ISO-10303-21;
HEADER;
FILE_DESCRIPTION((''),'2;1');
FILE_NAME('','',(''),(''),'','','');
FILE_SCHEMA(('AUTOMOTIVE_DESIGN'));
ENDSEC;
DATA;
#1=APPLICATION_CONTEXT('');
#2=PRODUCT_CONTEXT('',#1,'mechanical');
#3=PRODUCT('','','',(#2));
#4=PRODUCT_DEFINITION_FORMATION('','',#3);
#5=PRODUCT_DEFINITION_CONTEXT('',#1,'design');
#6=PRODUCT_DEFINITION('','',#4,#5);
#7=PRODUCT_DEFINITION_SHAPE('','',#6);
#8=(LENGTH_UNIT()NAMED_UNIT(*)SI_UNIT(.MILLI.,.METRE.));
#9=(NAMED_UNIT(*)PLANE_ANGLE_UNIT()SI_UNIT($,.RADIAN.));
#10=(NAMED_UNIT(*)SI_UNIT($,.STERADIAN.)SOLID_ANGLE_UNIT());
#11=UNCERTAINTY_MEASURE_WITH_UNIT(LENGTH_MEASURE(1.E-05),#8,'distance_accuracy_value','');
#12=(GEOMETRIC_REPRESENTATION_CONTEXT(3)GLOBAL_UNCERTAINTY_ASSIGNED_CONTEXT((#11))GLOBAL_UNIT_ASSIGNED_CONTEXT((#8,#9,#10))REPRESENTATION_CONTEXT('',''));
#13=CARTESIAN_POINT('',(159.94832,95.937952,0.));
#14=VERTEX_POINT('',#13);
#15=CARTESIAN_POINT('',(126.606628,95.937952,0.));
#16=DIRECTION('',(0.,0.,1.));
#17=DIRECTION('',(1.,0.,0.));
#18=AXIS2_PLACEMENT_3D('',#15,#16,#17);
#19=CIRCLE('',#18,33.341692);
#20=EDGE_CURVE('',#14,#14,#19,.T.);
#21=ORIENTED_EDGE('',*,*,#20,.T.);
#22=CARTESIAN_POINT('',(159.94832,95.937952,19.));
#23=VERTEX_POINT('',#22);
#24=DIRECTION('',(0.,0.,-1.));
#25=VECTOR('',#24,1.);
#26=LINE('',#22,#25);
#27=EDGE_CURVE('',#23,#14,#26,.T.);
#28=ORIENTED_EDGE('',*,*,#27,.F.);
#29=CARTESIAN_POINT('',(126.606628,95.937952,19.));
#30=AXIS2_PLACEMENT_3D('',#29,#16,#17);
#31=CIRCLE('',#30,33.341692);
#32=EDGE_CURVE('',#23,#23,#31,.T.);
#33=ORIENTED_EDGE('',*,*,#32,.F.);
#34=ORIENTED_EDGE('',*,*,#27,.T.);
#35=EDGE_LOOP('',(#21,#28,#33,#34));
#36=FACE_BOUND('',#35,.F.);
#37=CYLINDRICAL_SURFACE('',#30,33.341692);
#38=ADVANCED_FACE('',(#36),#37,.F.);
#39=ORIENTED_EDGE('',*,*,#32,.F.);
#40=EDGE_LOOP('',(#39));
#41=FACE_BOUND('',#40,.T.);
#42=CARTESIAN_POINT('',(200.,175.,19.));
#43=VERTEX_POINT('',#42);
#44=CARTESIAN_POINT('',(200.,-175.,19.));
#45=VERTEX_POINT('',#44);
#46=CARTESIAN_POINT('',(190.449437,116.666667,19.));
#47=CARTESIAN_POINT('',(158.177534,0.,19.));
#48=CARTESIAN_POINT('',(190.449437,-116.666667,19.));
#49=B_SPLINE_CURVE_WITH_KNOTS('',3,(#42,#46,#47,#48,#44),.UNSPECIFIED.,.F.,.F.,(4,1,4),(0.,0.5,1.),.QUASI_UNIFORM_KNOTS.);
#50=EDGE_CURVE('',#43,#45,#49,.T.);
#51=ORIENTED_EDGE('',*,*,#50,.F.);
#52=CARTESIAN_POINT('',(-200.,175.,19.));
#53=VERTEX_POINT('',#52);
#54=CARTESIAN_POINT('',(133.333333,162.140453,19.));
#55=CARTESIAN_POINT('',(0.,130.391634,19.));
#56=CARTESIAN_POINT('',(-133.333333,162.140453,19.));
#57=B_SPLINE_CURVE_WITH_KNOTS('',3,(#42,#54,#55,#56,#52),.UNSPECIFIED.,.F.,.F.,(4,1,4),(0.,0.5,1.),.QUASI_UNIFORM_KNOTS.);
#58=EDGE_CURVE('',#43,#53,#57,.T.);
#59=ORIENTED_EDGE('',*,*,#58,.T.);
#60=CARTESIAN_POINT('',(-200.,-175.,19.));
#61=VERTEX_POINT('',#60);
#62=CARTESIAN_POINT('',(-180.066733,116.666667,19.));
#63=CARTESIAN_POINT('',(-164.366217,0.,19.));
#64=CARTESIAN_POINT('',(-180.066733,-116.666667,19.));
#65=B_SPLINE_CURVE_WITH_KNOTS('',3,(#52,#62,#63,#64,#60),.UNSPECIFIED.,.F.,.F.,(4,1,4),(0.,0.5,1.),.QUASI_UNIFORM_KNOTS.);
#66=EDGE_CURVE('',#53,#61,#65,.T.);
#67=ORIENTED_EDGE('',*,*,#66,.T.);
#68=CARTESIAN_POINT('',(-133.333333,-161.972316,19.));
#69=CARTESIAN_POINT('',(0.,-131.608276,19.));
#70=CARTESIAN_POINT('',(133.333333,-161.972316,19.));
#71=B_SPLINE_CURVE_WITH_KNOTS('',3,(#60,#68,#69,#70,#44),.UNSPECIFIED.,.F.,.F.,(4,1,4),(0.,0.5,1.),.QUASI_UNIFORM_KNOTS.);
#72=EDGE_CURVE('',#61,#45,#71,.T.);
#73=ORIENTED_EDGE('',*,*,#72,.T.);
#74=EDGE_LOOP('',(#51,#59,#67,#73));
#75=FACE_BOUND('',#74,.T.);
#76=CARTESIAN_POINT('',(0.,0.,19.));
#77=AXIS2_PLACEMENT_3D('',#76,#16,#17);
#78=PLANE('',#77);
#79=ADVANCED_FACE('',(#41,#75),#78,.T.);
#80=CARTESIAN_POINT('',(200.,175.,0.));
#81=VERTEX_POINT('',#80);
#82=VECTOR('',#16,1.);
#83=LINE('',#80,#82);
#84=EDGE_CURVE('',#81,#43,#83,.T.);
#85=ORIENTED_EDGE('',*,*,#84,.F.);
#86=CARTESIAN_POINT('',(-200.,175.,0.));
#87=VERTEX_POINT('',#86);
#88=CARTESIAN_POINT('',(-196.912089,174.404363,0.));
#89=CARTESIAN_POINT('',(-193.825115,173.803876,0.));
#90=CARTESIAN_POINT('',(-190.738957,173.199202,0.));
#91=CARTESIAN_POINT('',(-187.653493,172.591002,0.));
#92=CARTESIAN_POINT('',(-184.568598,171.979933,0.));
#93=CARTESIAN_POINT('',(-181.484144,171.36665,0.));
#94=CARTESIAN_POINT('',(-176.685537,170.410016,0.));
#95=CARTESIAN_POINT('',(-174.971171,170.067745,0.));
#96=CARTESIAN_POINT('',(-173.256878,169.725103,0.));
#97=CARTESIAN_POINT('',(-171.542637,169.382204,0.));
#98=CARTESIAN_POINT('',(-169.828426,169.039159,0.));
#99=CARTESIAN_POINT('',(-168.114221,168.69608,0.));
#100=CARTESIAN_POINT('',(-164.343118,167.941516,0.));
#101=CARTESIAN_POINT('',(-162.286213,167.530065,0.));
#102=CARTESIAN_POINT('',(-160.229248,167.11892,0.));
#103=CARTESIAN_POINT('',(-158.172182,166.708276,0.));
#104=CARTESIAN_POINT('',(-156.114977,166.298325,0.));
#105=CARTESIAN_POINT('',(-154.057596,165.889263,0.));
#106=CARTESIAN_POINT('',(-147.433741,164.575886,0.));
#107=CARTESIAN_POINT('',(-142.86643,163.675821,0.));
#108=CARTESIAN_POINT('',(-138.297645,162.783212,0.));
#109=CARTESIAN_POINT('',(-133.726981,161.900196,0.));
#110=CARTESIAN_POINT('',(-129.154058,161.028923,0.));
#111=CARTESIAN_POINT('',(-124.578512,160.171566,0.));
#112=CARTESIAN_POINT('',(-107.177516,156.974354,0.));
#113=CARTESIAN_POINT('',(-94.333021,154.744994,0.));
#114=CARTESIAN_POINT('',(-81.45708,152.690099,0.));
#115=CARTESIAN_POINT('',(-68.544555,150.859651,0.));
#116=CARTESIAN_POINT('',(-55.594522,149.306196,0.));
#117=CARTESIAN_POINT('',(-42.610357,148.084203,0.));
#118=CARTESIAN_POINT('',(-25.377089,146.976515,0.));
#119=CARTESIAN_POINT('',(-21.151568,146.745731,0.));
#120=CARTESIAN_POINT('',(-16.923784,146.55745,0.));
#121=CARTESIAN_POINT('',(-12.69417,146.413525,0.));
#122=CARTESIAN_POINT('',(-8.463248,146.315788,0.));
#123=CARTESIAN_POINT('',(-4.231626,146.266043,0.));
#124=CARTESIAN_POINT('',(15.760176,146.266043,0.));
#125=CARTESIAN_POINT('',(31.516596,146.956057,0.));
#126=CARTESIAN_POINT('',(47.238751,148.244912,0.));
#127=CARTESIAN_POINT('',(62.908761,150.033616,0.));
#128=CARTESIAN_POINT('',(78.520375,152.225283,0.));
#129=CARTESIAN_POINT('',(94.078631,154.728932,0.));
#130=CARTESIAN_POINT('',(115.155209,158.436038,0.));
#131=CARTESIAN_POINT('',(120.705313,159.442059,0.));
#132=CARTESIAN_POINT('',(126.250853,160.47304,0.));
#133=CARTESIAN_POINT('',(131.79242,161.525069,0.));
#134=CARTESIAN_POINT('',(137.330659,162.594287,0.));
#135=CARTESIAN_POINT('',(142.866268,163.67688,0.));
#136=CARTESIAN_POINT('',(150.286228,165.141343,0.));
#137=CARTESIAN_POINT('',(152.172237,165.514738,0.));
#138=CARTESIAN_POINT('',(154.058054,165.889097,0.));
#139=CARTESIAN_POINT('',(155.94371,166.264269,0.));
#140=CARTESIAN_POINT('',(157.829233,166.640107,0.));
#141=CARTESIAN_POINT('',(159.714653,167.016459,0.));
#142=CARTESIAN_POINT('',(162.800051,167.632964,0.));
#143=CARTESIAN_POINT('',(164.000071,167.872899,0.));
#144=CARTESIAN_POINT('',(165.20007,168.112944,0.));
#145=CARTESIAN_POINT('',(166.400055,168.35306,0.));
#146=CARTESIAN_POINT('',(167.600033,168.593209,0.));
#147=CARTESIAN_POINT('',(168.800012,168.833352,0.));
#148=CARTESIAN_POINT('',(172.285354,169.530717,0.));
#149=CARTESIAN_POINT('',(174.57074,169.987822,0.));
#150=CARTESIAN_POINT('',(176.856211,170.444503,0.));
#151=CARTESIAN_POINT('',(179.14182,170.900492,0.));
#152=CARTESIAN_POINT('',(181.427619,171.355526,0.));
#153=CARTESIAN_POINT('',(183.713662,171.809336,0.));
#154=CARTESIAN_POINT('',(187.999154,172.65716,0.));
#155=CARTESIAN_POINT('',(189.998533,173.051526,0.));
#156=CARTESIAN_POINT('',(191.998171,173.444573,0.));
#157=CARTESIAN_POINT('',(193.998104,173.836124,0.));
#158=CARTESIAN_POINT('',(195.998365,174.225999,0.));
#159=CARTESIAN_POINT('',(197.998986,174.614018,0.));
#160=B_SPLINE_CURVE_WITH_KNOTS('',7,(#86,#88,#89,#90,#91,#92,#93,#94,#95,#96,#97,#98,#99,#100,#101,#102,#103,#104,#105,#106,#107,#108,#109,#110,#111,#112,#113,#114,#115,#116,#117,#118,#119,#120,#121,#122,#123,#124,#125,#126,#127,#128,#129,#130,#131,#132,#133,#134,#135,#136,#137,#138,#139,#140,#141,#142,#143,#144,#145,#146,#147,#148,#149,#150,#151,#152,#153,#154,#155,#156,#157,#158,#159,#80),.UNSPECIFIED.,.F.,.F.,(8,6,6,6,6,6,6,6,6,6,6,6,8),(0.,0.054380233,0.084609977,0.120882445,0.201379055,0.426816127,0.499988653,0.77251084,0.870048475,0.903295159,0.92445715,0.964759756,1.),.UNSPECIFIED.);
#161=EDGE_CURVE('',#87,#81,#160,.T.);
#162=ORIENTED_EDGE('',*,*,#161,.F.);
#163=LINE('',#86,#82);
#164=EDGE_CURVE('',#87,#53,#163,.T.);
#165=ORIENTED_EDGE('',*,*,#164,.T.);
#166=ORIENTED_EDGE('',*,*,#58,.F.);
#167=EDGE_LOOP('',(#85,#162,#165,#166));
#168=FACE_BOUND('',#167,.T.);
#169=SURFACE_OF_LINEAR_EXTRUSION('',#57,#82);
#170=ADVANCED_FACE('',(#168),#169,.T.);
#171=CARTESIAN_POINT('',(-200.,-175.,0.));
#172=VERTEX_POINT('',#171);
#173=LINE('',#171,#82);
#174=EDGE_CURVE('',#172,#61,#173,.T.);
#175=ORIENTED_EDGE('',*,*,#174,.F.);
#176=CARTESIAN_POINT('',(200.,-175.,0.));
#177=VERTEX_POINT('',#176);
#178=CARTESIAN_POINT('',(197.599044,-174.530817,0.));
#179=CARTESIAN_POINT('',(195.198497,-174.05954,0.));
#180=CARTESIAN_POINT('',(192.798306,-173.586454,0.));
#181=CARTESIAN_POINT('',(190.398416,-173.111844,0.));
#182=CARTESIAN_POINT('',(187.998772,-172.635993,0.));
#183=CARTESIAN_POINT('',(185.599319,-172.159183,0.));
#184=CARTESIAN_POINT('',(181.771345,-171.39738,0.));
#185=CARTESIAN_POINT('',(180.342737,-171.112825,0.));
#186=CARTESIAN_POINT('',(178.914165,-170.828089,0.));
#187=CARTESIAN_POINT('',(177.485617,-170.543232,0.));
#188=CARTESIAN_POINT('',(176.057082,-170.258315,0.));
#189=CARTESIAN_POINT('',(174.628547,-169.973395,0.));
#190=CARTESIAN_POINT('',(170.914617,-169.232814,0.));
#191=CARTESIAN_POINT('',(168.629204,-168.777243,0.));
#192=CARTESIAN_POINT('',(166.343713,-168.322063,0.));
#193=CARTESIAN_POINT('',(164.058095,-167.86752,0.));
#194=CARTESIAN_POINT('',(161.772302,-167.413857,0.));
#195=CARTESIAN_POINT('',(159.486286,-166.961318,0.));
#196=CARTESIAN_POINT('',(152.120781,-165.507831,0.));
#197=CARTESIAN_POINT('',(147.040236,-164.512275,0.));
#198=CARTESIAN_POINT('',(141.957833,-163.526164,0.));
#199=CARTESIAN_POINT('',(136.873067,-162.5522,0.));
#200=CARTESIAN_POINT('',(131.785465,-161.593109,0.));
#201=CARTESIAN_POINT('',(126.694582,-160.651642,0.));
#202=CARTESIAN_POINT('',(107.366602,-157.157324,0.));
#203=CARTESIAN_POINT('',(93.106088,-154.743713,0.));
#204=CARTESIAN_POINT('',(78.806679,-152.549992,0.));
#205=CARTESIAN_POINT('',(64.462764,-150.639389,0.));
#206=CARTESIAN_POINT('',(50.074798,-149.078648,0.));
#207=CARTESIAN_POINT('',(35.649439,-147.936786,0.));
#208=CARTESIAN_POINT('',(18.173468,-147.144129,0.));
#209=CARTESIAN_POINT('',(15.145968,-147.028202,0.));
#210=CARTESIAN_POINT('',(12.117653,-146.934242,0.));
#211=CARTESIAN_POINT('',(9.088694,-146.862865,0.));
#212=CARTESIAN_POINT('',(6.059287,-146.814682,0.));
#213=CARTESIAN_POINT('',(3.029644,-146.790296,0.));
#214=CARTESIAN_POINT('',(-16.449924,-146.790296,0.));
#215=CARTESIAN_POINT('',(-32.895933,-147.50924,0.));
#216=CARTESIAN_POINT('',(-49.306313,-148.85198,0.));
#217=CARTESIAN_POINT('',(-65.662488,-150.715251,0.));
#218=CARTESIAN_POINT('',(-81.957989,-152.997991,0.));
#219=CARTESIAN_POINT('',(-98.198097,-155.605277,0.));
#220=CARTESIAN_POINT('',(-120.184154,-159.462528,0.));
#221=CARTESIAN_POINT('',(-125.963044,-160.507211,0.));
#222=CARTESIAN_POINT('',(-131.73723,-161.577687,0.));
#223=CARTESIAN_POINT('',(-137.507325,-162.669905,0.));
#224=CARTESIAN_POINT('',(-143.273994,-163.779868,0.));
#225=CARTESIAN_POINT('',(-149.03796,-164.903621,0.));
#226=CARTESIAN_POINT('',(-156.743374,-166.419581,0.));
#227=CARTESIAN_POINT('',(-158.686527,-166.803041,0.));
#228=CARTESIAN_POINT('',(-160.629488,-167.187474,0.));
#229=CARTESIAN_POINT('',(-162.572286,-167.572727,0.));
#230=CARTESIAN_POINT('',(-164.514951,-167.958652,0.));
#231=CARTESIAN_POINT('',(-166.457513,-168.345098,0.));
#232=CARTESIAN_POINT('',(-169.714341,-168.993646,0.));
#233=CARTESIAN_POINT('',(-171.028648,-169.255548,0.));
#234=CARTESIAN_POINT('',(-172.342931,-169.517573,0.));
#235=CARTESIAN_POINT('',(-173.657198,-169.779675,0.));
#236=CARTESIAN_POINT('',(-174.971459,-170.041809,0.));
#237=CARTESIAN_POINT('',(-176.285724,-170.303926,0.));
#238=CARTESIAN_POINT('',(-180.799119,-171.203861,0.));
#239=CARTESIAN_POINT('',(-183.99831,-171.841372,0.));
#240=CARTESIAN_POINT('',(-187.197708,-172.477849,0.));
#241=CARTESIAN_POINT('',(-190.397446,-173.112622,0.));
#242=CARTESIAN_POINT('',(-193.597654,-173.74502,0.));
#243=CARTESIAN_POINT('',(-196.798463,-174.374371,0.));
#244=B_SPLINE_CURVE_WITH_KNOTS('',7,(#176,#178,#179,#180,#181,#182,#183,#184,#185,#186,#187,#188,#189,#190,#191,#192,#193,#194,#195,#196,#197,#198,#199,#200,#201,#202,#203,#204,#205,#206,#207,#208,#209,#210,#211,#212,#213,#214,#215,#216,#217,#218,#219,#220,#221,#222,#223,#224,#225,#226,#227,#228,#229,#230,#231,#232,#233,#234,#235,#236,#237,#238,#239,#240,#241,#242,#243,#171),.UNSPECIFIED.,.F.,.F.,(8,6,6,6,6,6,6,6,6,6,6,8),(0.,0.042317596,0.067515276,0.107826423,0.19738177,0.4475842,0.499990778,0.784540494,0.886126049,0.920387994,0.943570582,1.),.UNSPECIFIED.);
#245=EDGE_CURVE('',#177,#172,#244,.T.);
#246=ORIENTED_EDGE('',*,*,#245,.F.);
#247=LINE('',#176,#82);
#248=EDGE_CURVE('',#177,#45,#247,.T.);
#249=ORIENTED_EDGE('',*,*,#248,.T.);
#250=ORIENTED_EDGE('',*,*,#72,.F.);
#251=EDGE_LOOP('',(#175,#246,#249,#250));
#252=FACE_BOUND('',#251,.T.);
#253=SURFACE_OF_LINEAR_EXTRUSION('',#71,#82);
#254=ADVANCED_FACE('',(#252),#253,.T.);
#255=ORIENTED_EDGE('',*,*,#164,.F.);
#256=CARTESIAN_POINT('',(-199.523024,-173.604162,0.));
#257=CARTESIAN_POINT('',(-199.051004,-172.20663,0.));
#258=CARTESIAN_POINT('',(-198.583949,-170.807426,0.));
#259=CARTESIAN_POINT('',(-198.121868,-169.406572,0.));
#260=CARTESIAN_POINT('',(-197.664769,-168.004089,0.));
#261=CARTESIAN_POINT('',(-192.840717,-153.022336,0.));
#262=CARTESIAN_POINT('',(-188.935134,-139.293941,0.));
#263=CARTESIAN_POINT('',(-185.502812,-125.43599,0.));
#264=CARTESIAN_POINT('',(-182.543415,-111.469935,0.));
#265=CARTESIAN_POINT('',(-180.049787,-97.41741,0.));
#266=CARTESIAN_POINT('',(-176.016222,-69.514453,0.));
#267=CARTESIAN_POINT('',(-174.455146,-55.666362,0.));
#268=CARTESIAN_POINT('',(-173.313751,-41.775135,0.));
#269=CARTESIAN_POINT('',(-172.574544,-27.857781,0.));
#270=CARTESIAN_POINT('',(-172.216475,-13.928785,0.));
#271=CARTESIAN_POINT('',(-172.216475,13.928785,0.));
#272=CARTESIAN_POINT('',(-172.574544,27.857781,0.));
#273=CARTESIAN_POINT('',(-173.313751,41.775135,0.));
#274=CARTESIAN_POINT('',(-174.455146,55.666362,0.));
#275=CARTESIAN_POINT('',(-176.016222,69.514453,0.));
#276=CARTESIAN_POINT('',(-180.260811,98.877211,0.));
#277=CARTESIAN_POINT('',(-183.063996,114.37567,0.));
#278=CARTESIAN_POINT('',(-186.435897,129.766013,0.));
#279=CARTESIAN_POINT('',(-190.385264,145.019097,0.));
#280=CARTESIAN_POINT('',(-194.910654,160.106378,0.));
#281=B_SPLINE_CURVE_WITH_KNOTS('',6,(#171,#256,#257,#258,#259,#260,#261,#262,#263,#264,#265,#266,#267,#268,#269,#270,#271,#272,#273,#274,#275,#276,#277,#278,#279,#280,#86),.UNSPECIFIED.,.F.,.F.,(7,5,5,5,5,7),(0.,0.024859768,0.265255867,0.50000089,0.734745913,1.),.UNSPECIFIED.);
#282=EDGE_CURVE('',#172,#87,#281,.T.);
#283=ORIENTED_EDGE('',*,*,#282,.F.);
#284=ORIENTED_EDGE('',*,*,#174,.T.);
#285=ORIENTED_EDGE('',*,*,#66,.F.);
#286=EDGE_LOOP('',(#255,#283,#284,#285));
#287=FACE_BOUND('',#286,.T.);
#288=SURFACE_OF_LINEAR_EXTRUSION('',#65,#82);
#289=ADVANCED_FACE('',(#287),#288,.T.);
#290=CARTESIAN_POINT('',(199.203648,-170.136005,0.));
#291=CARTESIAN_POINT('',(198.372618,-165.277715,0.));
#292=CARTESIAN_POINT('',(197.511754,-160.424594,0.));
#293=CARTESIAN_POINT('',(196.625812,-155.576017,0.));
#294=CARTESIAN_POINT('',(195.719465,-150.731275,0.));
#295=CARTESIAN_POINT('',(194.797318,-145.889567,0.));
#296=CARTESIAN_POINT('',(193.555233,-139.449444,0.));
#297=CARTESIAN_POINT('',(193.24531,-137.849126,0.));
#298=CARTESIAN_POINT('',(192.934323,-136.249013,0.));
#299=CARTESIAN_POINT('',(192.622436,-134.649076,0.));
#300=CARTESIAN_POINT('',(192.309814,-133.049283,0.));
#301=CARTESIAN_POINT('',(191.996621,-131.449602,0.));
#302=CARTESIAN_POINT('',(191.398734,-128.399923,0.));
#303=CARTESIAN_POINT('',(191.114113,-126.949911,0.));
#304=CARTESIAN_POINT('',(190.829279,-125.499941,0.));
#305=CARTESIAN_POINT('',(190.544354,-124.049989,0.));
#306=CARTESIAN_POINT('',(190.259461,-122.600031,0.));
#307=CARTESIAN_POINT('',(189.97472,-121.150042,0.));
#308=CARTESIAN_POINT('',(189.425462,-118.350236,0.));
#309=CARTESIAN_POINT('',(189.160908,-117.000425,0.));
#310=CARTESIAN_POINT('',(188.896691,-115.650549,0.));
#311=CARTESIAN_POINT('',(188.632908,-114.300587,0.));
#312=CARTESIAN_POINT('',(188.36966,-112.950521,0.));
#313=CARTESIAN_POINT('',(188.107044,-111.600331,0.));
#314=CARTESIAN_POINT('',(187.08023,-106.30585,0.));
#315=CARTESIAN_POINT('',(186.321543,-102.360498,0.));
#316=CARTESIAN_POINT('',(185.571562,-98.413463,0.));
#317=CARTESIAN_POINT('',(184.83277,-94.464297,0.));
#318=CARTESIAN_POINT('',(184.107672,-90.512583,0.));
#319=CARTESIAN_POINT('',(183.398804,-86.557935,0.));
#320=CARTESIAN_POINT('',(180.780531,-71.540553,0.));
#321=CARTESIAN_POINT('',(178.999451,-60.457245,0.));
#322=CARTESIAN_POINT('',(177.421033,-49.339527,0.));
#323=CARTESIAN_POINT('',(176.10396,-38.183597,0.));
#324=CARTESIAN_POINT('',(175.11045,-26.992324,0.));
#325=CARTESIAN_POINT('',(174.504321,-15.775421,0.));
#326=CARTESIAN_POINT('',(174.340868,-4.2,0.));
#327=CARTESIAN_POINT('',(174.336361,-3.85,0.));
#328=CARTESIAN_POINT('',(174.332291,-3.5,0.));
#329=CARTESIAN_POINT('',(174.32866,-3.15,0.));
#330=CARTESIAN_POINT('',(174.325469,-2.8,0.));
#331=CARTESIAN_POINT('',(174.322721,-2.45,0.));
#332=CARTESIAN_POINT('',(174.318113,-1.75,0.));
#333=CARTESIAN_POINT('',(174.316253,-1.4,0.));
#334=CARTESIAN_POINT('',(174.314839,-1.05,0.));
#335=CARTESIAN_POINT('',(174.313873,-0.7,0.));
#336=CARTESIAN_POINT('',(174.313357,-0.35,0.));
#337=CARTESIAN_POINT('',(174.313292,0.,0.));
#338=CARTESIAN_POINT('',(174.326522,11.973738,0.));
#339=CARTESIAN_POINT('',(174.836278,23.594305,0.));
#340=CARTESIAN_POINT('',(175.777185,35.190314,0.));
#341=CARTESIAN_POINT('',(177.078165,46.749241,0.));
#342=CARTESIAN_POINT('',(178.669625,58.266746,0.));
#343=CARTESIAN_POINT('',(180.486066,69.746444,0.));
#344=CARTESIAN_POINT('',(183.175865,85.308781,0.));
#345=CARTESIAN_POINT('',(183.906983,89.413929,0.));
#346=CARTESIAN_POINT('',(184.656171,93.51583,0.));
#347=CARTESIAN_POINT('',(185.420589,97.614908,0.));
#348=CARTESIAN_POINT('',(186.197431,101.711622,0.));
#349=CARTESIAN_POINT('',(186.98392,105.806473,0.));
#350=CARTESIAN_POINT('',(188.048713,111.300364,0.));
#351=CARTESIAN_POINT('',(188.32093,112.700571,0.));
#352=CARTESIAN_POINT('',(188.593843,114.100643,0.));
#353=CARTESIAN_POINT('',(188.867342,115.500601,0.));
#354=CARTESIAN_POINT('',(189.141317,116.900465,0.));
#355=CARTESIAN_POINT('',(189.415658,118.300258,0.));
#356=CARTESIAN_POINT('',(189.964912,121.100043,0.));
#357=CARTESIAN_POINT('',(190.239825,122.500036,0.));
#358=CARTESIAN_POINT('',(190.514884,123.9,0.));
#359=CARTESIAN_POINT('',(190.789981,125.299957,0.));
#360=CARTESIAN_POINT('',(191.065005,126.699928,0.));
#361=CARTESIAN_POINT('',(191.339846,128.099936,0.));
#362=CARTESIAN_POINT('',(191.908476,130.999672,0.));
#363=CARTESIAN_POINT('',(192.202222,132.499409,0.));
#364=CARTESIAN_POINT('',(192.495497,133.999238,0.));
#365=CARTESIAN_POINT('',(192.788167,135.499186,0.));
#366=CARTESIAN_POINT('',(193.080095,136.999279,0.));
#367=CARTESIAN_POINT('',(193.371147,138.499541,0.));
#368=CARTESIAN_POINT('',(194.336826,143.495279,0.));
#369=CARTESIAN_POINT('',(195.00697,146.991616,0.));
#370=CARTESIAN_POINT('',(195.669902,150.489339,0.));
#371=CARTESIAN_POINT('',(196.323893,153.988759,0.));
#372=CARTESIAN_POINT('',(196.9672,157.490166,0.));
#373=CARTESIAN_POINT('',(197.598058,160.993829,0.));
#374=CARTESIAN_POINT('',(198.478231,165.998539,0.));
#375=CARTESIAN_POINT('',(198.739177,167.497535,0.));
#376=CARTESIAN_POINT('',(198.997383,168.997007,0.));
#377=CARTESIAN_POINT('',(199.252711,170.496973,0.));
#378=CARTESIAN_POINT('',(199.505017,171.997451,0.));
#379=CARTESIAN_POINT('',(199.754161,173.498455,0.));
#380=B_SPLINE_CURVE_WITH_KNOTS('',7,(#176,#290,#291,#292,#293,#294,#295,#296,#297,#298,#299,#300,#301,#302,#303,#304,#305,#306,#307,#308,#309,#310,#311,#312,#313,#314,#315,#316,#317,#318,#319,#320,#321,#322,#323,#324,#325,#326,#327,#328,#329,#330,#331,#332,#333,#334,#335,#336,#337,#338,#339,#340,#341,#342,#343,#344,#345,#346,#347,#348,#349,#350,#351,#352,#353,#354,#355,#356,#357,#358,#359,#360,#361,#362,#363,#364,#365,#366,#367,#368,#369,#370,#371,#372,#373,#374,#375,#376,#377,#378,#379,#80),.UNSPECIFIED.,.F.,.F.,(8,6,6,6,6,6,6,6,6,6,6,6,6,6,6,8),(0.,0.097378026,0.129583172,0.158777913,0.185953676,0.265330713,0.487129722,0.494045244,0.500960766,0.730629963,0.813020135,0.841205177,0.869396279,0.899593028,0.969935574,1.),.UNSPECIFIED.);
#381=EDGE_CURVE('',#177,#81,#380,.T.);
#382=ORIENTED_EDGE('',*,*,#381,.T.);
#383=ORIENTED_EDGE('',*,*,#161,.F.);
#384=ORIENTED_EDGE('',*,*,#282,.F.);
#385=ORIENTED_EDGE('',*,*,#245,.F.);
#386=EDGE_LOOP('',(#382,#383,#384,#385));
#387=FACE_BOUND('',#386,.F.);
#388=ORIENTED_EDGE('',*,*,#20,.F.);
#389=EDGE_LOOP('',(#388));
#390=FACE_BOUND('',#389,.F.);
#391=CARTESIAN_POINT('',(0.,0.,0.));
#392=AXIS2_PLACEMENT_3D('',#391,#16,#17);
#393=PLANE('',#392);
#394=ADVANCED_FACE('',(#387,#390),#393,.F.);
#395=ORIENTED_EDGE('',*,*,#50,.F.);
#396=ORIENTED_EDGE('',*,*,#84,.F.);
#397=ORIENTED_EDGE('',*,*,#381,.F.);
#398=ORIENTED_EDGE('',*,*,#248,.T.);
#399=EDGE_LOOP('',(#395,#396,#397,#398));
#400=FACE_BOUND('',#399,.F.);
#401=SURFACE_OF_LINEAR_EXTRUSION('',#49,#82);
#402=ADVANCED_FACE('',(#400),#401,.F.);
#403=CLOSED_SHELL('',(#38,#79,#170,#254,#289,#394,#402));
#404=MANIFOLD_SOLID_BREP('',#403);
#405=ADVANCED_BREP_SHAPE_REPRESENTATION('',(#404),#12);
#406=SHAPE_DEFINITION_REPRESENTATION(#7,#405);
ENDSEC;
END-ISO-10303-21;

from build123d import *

# Parameters (mm, degrees)
F0_W     = 400
F0_H     = 350
F1_DEPTH = 19
F3_DEPTH = 25
F4_DEPTH = 19.0010001
F5_DEPTH = 19.0010001
F6_DEPTH = 19.0010001
F2_R     = 33.3416918337
F7_DEPTH = 19.0010001


with BuildPart() as f1:
    # F0 (on Top) → F1 (new body)
    with BuildSketch(Plane.XY):
        Rectangle(F0_W, F0_H)
    extrude(amount=F1_DEPTH)

    # F2 (on face) → F3 (cut)
    with BuildSketch(Plane.XY.offset(19)):
        with BuildLine():
            add(Edge.make_bspline(
                [(200, 175), (133.3333333333, 162.1404528618), (0, 130.3916335106), (-133.3333333333, 162.1404528618), (-200, 175)],
                knots=[0, 0, 0, 0, 0.5, 1, 1, 1, 1], degree=3))
            Line((200, 175), (-200, 175))
        make_face()
    extrude(amount=-F3_DEPTH, mode=Mode.SUBTRACT)

    # F2 (on face) → F4 (cut, through all)
    with BuildSketch(Plane.XY.offset(19)):
        with BuildLine():
            add(Edge.make_bspline(
                [(-200, 175), (-180.0667330623, 116.6666666667), (-164.3662169576, 0), (-180.0667330623, -116.6666666667), (-200, -175)],
                knots=[0, 0, 0, 0, 0.5, 1, 1, 1, 1], degree=3))
            Line((-200, 175), (-200, -175))
        make_face()
    extrude(amount=-F4_DEPTH, mode=Mode.SUBTRACT)

    # F2 (on face) → F5 (cut, through all)
    with BuildSketch(Plane.XY.offset(19)):
        with BuildLine():
            Line((-200, -175), (200, -175))
            add(Edge.make_bspline(
                [(-200, -175), (-133.3333333333, -161.9723156095), (0, -131.6082760692), (133.3333333333, -161.9723156095), (200, -175)],
                knots=[0, 0, 0, 0, 0.5, 1, 1, 1, 1], degree=3))
        make_face()
    extrude(amount=-F5_DEPTH, mode=Mode.SUBTRACT)

    # F2 (on face) → F6 (cut, through all)
    with BuildSketch(Plane.XY.offset(19)):
        with BuildLine():
            Line((200, -175), (200, 175))
            add(Edge.make_bspline(
                [(200, 175), (190.449437499, 116.6666666667), (158.1775337458, 0), (190.449437499, -116.6666666667), (200, -175)],
                knots=[0, 0, 0, 0, 0.5, 1, 1, 1, 1], degree=3))
        make_face()
    extrude(amount=-F6_DEPTH, mode=Mode.SUBTRACT)

    # F2 (on face) → F7 (cut, through all)
    with BuildSketch(Plane.XY.offset(19)):
        with Locations((126.6066282988, 95.9379523993)):
            Circle(F2_R)
    extrude(amount=-F7_DEPTH, mode=Mode.SUBTRACT)


solid = f1.part
